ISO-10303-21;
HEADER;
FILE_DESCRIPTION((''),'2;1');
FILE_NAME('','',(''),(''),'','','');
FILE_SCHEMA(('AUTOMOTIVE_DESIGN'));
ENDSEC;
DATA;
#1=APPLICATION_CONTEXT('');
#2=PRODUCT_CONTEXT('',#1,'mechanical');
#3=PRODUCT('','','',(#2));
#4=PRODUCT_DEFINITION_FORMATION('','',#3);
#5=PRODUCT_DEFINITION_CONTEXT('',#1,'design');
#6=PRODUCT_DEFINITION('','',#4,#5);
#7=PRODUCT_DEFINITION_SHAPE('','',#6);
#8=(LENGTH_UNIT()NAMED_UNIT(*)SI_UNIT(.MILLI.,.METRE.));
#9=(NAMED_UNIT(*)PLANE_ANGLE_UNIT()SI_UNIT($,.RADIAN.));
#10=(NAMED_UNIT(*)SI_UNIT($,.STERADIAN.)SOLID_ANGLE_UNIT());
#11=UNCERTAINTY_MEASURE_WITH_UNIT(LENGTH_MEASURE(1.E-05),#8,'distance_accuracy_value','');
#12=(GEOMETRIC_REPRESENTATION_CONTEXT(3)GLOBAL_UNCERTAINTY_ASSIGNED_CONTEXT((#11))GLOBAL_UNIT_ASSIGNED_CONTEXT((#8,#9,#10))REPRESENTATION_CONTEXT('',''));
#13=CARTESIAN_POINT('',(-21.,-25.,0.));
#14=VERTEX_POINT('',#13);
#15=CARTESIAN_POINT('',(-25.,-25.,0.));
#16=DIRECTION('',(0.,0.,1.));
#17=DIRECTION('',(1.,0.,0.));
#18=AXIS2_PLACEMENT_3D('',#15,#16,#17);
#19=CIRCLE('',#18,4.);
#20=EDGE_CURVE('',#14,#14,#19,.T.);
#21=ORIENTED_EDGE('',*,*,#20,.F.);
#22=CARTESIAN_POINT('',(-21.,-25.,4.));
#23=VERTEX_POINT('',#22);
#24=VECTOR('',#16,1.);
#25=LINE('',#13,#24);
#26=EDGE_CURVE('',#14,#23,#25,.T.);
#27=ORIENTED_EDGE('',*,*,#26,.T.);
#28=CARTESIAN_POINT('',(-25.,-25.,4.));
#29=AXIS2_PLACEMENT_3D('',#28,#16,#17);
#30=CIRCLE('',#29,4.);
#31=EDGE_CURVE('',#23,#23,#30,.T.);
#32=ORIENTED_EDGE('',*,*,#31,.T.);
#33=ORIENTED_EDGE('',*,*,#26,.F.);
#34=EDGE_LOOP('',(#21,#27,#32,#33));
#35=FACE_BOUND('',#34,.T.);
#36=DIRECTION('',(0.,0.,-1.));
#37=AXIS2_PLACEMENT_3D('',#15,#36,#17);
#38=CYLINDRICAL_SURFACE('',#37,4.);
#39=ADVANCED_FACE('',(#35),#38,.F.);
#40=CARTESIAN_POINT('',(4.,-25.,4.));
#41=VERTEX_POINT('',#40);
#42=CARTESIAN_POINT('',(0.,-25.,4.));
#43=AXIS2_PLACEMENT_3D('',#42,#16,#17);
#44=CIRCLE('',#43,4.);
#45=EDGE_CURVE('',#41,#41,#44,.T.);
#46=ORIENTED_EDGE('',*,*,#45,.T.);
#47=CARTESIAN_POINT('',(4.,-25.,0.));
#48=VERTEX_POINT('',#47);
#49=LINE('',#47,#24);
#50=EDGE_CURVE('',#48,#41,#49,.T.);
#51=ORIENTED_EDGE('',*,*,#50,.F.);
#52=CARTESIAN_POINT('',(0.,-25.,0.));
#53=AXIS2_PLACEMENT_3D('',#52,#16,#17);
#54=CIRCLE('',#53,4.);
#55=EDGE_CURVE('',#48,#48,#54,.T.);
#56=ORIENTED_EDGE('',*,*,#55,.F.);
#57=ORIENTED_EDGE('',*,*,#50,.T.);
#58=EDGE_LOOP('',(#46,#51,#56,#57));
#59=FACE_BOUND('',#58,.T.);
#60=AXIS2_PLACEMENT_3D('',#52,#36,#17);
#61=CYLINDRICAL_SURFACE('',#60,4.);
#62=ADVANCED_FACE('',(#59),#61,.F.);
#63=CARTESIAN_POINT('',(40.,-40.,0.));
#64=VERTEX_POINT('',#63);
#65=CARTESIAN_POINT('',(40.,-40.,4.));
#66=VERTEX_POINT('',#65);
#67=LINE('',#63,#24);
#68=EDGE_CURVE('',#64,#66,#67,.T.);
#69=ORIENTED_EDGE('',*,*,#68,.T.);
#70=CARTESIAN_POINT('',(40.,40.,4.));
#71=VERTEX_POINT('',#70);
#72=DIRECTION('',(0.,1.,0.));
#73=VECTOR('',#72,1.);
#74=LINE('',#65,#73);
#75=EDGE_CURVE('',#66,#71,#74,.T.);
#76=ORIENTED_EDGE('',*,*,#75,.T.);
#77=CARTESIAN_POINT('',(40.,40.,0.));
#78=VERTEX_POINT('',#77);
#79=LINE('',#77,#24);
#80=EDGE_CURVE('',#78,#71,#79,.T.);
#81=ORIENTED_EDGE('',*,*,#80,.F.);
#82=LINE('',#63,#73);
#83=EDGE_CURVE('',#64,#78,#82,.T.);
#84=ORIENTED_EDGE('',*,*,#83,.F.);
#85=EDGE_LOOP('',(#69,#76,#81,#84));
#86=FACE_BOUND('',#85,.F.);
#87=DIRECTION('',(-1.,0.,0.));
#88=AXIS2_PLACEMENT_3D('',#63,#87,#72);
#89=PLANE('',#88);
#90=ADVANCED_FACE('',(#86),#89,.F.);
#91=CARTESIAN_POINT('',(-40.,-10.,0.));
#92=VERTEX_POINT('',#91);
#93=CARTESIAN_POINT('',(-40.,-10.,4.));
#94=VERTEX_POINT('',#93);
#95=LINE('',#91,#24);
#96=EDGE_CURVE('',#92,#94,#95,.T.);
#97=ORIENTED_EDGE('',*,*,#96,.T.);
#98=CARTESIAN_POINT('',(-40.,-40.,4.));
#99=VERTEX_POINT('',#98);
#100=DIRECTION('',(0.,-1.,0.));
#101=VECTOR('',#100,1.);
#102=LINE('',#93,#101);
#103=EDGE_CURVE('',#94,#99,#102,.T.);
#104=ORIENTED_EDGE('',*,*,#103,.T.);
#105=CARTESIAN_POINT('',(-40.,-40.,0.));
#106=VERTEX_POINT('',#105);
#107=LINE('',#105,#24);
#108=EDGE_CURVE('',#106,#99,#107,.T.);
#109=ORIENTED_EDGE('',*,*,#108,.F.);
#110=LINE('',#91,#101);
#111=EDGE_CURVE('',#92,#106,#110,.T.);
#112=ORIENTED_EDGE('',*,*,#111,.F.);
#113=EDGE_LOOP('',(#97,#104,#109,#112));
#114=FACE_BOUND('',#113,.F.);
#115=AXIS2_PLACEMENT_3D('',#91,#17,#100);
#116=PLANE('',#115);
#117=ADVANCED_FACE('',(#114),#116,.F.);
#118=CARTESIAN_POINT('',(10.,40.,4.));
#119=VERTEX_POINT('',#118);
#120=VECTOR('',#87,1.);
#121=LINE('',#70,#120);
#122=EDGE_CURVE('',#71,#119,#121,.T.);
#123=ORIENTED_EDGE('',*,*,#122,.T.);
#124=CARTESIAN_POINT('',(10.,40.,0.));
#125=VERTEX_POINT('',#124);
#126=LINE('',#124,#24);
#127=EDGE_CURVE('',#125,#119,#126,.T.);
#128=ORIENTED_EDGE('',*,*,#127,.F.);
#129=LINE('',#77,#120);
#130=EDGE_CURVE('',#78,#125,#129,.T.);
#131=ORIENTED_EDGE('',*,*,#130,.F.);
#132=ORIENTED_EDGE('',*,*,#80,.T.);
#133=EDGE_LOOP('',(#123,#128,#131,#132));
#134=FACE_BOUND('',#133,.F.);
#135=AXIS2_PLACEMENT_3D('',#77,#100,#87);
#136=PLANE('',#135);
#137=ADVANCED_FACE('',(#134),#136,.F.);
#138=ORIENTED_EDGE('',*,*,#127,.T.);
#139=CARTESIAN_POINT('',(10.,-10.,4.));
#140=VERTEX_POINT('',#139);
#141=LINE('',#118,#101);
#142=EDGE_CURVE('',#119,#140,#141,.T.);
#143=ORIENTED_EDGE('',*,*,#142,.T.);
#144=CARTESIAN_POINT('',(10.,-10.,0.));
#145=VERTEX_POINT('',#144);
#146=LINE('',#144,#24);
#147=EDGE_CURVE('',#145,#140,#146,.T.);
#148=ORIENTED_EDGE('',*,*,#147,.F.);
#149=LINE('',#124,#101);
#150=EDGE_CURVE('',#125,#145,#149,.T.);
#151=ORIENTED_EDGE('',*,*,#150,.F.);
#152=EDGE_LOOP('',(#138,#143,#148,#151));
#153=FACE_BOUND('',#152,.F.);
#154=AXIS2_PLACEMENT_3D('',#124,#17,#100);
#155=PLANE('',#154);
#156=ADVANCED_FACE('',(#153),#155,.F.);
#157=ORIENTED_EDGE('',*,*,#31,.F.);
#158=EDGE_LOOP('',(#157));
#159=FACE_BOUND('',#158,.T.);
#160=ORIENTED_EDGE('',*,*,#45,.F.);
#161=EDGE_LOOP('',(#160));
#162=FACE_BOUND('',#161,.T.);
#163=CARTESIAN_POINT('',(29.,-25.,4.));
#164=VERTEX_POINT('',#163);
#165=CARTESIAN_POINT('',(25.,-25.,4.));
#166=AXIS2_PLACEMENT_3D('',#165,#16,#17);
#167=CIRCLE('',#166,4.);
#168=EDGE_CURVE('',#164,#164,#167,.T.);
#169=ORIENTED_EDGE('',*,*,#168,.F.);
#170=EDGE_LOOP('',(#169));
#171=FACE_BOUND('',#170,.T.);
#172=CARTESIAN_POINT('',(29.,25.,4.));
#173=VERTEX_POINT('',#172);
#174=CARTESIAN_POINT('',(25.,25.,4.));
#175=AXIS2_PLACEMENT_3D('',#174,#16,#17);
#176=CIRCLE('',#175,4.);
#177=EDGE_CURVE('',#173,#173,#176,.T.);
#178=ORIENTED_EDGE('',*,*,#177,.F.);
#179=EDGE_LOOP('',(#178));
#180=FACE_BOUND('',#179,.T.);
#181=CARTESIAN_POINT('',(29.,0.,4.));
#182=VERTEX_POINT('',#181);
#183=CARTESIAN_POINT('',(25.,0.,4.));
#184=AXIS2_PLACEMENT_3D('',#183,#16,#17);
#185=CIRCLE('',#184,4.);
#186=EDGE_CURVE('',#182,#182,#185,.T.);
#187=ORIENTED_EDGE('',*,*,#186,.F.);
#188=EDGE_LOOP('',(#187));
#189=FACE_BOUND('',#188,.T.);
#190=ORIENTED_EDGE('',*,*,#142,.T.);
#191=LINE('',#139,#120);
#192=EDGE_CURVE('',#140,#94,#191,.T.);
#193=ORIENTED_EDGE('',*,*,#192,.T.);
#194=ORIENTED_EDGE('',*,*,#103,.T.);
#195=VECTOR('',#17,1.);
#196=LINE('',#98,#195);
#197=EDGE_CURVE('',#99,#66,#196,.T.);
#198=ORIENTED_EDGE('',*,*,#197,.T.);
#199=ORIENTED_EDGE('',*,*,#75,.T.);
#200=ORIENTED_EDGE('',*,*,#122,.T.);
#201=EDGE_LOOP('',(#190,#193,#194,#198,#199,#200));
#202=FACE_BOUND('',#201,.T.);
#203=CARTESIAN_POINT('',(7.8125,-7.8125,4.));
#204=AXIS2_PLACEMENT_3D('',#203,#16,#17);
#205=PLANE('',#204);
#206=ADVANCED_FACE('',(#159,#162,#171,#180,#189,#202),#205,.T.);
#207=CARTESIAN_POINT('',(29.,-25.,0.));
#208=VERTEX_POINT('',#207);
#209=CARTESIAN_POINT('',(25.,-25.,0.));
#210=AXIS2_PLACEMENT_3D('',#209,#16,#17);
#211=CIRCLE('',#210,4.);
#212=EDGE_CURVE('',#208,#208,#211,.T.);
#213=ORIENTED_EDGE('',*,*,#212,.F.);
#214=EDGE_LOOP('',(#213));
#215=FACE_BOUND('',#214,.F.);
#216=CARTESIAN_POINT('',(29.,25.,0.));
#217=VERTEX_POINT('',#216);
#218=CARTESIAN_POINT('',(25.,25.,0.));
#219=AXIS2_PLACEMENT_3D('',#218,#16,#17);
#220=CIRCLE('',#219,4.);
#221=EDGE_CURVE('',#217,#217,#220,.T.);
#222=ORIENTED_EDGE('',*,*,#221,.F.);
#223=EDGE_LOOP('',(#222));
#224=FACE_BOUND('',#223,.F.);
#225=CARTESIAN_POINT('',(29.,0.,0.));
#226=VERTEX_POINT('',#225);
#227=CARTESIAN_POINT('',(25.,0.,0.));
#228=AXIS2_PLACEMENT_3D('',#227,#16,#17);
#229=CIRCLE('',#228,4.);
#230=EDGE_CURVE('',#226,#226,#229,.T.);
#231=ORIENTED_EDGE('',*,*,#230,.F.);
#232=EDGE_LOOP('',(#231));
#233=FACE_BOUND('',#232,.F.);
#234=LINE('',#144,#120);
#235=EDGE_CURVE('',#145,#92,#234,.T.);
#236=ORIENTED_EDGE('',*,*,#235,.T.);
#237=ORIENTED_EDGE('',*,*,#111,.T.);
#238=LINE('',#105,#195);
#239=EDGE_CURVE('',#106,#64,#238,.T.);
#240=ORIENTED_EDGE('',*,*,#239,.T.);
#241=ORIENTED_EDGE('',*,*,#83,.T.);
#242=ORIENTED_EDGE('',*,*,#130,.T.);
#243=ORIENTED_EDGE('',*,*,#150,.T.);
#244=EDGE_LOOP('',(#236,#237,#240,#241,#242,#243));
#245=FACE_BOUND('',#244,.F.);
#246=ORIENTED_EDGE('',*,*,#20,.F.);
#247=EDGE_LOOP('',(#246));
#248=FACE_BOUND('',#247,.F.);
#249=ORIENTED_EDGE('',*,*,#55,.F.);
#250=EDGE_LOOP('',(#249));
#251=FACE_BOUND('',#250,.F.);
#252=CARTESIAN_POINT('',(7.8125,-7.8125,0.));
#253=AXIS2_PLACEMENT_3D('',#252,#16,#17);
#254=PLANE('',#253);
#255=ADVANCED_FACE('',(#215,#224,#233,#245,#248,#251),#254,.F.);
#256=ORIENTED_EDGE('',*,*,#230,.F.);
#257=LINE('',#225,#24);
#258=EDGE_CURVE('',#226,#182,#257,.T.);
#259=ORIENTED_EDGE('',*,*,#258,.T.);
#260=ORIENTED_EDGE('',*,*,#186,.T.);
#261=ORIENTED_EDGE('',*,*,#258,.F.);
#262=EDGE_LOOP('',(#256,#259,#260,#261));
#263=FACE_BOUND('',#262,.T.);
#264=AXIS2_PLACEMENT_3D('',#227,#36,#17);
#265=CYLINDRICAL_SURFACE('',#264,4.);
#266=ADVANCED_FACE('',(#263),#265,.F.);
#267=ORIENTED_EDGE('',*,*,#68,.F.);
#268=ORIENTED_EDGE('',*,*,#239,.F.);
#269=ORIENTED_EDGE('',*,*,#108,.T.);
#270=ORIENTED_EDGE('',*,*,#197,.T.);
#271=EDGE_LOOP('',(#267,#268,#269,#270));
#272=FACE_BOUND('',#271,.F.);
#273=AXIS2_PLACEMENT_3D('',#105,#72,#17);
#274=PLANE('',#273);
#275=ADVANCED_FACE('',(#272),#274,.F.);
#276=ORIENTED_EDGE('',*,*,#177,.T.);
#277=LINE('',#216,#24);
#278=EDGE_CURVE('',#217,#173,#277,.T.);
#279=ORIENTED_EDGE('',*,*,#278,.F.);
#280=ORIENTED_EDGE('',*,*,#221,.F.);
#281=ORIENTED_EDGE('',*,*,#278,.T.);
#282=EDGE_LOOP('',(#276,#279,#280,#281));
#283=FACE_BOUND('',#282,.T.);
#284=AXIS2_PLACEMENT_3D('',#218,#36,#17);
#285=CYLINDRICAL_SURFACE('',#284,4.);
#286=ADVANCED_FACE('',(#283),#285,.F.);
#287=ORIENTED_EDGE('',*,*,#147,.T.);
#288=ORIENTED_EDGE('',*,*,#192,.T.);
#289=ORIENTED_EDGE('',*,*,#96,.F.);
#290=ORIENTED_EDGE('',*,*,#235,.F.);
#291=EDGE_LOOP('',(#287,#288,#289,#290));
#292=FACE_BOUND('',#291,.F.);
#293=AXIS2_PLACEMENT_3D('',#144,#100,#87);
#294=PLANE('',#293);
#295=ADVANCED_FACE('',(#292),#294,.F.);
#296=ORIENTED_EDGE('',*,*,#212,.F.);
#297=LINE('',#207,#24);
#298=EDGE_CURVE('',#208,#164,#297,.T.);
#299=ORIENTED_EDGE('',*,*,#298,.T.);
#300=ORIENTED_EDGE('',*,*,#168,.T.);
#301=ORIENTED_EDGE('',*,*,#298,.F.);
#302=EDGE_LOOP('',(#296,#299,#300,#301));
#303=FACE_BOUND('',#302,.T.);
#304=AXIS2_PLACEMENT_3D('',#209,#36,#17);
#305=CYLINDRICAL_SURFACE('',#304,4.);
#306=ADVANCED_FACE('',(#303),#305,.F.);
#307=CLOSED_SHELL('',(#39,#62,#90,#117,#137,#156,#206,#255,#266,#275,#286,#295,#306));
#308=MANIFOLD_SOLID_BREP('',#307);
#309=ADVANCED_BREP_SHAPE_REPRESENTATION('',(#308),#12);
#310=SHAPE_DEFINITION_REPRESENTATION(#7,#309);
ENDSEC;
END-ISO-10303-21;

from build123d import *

# Parameters (mm, degrees)
F0_R     = 4
F1_DEPTH = 4


with BuildPart() as f1:
    # F0 (on Top) → F1 (new body)
    with BuildSketch(Plane.XY):
        Polygon((40, 40), (10, 40), (10, -10), (-40, -10), (-40, -40), (40, -40), align=None)
        with Locations((-25, -25)):
            Circle(F0_R, mode=Mode.SUBTRACT)
        with Locations((0, -25)):
            Circle(F0_R, mode=Mode.SUBTRACT)
        with Locations((25, -25)):
            Circle(F0_R, mode=Mode.SUBTRACT)
        with Locations((25, 0)):
            Circle(F0_R, mode=Mode.SUBTRACT)
        with Locations((25, 25)):
            Circle(F0_R, mode=Mode.SUBTRACT)
    extrude(amount=F1_DEPTH)


solid = f1.part
